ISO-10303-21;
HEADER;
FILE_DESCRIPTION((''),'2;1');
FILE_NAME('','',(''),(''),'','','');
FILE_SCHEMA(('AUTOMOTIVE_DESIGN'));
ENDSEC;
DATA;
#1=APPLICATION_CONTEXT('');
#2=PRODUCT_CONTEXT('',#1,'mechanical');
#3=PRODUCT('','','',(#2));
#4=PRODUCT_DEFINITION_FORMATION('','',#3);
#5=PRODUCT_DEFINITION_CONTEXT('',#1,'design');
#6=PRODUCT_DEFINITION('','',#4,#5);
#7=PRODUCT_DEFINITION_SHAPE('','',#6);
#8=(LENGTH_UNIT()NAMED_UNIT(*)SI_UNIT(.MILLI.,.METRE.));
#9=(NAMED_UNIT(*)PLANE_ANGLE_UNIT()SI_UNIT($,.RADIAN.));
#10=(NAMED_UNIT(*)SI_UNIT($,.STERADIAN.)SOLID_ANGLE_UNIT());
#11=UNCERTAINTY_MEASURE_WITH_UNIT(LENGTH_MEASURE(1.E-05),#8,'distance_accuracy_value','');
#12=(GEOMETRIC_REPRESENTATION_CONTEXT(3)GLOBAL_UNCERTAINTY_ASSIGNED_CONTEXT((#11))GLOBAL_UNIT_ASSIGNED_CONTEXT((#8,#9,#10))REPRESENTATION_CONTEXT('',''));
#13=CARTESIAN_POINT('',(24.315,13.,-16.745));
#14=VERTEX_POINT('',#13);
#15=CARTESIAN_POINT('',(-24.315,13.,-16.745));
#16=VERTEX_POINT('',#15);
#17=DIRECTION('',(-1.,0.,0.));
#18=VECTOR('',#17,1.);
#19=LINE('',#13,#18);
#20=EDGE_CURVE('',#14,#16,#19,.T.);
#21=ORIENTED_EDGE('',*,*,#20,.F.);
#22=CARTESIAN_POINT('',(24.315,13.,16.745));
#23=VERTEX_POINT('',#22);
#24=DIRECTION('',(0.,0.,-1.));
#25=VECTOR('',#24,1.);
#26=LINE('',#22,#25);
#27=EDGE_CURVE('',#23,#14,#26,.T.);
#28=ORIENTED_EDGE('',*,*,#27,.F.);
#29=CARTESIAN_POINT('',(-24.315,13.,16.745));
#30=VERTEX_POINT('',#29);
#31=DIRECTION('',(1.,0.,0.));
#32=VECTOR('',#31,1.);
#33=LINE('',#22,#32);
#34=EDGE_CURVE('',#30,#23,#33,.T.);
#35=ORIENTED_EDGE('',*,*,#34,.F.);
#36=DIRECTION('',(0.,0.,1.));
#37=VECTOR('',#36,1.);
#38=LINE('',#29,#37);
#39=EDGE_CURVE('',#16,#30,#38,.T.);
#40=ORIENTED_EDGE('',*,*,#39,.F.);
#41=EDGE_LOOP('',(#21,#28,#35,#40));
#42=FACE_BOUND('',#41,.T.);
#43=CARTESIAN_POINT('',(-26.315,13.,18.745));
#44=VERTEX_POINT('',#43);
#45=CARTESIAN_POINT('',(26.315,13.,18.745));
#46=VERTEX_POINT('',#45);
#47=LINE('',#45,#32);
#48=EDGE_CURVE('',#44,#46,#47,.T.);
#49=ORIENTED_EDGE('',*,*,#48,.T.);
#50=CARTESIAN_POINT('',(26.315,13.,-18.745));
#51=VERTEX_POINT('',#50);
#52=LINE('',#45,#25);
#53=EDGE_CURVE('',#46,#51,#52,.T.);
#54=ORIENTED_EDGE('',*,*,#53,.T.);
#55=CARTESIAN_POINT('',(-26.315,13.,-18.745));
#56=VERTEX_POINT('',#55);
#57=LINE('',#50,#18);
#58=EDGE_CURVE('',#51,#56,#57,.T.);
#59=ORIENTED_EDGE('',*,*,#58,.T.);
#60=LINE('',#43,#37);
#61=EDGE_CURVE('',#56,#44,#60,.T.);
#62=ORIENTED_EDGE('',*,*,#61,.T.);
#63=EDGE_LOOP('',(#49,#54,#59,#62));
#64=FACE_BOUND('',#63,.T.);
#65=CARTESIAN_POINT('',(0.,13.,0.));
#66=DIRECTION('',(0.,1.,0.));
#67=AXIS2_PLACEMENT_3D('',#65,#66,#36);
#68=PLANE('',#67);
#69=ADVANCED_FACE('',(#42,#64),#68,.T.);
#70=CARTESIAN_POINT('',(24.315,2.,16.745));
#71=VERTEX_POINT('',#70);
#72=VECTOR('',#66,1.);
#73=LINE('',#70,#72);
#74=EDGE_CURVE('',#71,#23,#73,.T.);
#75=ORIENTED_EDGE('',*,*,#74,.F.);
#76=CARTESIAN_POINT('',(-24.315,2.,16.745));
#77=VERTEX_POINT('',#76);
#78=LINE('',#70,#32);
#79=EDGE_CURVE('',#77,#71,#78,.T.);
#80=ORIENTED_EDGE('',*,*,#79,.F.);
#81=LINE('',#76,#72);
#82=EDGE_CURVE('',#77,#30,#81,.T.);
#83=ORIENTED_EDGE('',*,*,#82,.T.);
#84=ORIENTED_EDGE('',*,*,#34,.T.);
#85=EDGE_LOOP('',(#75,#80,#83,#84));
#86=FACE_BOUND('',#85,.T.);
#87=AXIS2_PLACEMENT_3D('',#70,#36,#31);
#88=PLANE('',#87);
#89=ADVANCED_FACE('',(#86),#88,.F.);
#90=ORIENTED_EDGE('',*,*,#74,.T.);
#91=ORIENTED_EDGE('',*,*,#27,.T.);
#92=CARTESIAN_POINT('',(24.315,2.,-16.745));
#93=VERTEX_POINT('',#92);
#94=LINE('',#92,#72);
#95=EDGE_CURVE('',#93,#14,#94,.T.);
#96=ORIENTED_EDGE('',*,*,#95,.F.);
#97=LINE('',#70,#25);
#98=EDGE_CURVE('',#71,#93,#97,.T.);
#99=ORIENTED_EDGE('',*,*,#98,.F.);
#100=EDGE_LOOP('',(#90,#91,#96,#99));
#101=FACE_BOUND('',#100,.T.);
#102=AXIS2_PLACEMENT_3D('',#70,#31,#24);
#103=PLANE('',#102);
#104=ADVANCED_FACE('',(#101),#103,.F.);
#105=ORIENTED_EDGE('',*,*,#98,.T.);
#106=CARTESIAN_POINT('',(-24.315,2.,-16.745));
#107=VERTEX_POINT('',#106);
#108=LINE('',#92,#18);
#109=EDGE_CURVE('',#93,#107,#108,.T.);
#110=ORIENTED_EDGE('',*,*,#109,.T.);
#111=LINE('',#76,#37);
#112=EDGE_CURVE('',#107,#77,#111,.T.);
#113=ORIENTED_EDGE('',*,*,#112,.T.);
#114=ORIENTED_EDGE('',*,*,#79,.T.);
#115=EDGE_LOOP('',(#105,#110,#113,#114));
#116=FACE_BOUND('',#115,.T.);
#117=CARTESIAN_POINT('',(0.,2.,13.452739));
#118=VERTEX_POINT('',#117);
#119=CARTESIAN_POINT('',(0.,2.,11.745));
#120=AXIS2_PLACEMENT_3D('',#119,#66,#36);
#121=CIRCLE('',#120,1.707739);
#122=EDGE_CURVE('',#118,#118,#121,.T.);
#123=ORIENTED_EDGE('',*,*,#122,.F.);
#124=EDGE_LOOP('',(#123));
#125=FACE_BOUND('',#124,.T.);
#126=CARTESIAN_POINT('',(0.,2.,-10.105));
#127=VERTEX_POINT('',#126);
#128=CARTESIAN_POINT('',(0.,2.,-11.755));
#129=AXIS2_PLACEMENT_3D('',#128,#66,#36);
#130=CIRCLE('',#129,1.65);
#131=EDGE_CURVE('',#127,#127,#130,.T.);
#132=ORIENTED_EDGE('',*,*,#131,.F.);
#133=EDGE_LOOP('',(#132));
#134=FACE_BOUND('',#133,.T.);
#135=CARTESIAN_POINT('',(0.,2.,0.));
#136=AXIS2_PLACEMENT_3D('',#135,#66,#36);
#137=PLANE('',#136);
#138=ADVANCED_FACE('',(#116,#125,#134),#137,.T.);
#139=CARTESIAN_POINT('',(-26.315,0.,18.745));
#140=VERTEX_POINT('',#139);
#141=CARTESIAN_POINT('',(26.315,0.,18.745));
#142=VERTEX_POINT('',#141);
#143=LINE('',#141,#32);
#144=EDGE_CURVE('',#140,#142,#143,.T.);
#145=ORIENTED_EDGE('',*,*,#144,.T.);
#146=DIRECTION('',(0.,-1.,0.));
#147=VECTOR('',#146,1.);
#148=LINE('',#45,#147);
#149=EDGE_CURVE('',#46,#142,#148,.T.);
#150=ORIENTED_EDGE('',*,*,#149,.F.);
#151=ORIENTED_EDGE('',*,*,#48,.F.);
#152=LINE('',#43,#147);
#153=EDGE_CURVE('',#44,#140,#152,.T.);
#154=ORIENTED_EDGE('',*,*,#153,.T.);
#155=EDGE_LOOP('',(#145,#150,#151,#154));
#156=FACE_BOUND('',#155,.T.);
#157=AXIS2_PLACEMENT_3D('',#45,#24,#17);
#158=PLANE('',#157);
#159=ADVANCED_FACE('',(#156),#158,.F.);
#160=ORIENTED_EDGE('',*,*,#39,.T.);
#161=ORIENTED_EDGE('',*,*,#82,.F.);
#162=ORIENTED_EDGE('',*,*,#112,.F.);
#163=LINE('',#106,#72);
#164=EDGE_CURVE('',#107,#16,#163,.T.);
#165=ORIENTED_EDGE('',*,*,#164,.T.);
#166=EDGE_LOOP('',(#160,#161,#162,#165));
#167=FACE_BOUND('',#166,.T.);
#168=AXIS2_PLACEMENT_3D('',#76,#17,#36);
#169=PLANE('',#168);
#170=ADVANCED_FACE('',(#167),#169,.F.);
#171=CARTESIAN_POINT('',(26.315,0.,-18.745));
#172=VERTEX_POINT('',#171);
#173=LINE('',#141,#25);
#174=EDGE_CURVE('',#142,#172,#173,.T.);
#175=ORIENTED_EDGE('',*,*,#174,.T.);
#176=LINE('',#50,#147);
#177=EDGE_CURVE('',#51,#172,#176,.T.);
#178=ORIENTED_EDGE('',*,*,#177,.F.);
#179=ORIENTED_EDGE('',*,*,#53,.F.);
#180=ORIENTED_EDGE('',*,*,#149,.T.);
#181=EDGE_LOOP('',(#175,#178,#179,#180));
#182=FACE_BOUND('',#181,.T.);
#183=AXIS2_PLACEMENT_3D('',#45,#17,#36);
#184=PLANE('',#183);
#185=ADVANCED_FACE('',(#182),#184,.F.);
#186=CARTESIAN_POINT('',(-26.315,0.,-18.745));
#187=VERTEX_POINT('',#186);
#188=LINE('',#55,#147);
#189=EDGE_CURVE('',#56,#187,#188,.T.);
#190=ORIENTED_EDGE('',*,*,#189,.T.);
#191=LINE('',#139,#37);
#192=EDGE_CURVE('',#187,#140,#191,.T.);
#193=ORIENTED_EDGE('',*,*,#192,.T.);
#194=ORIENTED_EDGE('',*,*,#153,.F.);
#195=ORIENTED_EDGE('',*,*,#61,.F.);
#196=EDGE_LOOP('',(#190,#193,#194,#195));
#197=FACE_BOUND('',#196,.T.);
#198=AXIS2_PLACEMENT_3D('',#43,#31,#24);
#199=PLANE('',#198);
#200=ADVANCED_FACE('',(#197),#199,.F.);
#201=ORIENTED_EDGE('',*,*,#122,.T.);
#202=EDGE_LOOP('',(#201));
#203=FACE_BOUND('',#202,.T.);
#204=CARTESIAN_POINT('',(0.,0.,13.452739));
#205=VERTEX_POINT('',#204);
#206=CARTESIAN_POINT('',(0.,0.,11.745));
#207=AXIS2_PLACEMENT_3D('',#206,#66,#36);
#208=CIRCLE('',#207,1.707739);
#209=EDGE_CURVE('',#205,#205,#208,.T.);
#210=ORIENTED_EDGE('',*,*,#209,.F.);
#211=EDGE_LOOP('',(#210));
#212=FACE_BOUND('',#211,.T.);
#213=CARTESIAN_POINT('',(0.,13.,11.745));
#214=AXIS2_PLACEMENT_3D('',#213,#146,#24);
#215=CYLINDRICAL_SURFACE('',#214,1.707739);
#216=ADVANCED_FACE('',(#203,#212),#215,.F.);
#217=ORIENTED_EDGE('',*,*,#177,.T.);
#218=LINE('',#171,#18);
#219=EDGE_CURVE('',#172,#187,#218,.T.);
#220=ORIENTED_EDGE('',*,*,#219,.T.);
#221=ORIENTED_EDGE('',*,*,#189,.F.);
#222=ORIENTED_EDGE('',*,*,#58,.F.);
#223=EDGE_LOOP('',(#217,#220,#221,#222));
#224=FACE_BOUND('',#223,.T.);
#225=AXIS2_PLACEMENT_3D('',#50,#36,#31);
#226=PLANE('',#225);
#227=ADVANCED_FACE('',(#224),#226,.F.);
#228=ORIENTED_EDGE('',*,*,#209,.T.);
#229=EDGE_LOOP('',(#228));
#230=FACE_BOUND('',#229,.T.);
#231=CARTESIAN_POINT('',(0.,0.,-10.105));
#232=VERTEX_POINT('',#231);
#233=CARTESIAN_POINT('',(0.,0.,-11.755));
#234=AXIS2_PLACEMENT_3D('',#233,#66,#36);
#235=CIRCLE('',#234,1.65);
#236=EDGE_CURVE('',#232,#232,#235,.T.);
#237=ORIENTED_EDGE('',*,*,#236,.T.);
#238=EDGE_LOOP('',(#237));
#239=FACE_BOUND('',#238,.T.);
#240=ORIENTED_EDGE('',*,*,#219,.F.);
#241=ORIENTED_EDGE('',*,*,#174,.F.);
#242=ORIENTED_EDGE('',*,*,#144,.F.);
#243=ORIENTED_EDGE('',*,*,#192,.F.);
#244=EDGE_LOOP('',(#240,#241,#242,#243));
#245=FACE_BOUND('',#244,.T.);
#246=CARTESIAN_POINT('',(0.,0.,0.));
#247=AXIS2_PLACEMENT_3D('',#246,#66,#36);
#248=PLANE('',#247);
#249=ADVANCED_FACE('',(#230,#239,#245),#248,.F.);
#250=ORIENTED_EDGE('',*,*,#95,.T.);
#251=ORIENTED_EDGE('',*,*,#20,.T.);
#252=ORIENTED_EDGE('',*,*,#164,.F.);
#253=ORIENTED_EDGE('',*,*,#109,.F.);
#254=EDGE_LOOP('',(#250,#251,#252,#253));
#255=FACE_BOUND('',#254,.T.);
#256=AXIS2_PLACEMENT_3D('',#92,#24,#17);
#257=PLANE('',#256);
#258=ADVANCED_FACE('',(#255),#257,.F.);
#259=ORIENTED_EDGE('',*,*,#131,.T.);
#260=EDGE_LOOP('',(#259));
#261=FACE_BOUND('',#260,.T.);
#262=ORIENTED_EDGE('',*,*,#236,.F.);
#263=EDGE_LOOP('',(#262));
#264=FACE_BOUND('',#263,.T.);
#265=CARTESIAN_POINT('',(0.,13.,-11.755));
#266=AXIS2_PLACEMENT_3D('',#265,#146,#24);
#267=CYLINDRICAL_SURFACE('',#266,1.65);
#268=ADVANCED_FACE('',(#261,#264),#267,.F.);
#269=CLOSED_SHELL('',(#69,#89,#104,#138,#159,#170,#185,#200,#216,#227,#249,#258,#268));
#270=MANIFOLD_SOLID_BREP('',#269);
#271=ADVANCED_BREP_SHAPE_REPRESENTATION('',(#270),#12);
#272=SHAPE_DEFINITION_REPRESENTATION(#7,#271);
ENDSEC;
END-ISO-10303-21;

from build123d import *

# Parameters (mm, degrees)
SKETCH1_W           = 52.63
SKETCH1_H           = 37.49
SKETCH1_R           = 1.65
SKETCH1_R_2         = 1.707739437
BOSS_EXTRUDE1_DEPTH = 13
SKETCH3_W           = 48.63
SKETCH3_H           = 33.49
CUT_EXTRUDE2_DEPTH  = 11


with BuildPart() as part:
    # Sketch1 → Boss-Extrude1 (new body)
    with BuildSketch(Plane(origin=(0, 0, 0), x_dir=(1, 0, 0), z_dir=(0, 1, 0))):
        Rectangle(SKETCH1_W, SKETCH1_H)
        with Locations((0, 11.755)):
            Circle(SKETCH1_R, mode=Mode.SUBTRACT)
        with Locations((0, -11.745)):
            Circle(SKETCH1_R_2, mode=Mode.SUBTRACT)
    extrude(amount=BOSS_EXTRUDE1_DEPTH)

    # Sketch3 → Cut-Extrude2 (cut)
    with BuildSketch(Plane(origin=(0, 13, 0), x_dir=(1, 0, 0), z_dir=(0, 1, 0))):
        Rectangle(SKETCH3_W, SKETCH3_H)
    extrude(amount=-CUT_EXTRUDE2_DEPTH, mode=Mode.SUBTRACT)


solid = part.part
